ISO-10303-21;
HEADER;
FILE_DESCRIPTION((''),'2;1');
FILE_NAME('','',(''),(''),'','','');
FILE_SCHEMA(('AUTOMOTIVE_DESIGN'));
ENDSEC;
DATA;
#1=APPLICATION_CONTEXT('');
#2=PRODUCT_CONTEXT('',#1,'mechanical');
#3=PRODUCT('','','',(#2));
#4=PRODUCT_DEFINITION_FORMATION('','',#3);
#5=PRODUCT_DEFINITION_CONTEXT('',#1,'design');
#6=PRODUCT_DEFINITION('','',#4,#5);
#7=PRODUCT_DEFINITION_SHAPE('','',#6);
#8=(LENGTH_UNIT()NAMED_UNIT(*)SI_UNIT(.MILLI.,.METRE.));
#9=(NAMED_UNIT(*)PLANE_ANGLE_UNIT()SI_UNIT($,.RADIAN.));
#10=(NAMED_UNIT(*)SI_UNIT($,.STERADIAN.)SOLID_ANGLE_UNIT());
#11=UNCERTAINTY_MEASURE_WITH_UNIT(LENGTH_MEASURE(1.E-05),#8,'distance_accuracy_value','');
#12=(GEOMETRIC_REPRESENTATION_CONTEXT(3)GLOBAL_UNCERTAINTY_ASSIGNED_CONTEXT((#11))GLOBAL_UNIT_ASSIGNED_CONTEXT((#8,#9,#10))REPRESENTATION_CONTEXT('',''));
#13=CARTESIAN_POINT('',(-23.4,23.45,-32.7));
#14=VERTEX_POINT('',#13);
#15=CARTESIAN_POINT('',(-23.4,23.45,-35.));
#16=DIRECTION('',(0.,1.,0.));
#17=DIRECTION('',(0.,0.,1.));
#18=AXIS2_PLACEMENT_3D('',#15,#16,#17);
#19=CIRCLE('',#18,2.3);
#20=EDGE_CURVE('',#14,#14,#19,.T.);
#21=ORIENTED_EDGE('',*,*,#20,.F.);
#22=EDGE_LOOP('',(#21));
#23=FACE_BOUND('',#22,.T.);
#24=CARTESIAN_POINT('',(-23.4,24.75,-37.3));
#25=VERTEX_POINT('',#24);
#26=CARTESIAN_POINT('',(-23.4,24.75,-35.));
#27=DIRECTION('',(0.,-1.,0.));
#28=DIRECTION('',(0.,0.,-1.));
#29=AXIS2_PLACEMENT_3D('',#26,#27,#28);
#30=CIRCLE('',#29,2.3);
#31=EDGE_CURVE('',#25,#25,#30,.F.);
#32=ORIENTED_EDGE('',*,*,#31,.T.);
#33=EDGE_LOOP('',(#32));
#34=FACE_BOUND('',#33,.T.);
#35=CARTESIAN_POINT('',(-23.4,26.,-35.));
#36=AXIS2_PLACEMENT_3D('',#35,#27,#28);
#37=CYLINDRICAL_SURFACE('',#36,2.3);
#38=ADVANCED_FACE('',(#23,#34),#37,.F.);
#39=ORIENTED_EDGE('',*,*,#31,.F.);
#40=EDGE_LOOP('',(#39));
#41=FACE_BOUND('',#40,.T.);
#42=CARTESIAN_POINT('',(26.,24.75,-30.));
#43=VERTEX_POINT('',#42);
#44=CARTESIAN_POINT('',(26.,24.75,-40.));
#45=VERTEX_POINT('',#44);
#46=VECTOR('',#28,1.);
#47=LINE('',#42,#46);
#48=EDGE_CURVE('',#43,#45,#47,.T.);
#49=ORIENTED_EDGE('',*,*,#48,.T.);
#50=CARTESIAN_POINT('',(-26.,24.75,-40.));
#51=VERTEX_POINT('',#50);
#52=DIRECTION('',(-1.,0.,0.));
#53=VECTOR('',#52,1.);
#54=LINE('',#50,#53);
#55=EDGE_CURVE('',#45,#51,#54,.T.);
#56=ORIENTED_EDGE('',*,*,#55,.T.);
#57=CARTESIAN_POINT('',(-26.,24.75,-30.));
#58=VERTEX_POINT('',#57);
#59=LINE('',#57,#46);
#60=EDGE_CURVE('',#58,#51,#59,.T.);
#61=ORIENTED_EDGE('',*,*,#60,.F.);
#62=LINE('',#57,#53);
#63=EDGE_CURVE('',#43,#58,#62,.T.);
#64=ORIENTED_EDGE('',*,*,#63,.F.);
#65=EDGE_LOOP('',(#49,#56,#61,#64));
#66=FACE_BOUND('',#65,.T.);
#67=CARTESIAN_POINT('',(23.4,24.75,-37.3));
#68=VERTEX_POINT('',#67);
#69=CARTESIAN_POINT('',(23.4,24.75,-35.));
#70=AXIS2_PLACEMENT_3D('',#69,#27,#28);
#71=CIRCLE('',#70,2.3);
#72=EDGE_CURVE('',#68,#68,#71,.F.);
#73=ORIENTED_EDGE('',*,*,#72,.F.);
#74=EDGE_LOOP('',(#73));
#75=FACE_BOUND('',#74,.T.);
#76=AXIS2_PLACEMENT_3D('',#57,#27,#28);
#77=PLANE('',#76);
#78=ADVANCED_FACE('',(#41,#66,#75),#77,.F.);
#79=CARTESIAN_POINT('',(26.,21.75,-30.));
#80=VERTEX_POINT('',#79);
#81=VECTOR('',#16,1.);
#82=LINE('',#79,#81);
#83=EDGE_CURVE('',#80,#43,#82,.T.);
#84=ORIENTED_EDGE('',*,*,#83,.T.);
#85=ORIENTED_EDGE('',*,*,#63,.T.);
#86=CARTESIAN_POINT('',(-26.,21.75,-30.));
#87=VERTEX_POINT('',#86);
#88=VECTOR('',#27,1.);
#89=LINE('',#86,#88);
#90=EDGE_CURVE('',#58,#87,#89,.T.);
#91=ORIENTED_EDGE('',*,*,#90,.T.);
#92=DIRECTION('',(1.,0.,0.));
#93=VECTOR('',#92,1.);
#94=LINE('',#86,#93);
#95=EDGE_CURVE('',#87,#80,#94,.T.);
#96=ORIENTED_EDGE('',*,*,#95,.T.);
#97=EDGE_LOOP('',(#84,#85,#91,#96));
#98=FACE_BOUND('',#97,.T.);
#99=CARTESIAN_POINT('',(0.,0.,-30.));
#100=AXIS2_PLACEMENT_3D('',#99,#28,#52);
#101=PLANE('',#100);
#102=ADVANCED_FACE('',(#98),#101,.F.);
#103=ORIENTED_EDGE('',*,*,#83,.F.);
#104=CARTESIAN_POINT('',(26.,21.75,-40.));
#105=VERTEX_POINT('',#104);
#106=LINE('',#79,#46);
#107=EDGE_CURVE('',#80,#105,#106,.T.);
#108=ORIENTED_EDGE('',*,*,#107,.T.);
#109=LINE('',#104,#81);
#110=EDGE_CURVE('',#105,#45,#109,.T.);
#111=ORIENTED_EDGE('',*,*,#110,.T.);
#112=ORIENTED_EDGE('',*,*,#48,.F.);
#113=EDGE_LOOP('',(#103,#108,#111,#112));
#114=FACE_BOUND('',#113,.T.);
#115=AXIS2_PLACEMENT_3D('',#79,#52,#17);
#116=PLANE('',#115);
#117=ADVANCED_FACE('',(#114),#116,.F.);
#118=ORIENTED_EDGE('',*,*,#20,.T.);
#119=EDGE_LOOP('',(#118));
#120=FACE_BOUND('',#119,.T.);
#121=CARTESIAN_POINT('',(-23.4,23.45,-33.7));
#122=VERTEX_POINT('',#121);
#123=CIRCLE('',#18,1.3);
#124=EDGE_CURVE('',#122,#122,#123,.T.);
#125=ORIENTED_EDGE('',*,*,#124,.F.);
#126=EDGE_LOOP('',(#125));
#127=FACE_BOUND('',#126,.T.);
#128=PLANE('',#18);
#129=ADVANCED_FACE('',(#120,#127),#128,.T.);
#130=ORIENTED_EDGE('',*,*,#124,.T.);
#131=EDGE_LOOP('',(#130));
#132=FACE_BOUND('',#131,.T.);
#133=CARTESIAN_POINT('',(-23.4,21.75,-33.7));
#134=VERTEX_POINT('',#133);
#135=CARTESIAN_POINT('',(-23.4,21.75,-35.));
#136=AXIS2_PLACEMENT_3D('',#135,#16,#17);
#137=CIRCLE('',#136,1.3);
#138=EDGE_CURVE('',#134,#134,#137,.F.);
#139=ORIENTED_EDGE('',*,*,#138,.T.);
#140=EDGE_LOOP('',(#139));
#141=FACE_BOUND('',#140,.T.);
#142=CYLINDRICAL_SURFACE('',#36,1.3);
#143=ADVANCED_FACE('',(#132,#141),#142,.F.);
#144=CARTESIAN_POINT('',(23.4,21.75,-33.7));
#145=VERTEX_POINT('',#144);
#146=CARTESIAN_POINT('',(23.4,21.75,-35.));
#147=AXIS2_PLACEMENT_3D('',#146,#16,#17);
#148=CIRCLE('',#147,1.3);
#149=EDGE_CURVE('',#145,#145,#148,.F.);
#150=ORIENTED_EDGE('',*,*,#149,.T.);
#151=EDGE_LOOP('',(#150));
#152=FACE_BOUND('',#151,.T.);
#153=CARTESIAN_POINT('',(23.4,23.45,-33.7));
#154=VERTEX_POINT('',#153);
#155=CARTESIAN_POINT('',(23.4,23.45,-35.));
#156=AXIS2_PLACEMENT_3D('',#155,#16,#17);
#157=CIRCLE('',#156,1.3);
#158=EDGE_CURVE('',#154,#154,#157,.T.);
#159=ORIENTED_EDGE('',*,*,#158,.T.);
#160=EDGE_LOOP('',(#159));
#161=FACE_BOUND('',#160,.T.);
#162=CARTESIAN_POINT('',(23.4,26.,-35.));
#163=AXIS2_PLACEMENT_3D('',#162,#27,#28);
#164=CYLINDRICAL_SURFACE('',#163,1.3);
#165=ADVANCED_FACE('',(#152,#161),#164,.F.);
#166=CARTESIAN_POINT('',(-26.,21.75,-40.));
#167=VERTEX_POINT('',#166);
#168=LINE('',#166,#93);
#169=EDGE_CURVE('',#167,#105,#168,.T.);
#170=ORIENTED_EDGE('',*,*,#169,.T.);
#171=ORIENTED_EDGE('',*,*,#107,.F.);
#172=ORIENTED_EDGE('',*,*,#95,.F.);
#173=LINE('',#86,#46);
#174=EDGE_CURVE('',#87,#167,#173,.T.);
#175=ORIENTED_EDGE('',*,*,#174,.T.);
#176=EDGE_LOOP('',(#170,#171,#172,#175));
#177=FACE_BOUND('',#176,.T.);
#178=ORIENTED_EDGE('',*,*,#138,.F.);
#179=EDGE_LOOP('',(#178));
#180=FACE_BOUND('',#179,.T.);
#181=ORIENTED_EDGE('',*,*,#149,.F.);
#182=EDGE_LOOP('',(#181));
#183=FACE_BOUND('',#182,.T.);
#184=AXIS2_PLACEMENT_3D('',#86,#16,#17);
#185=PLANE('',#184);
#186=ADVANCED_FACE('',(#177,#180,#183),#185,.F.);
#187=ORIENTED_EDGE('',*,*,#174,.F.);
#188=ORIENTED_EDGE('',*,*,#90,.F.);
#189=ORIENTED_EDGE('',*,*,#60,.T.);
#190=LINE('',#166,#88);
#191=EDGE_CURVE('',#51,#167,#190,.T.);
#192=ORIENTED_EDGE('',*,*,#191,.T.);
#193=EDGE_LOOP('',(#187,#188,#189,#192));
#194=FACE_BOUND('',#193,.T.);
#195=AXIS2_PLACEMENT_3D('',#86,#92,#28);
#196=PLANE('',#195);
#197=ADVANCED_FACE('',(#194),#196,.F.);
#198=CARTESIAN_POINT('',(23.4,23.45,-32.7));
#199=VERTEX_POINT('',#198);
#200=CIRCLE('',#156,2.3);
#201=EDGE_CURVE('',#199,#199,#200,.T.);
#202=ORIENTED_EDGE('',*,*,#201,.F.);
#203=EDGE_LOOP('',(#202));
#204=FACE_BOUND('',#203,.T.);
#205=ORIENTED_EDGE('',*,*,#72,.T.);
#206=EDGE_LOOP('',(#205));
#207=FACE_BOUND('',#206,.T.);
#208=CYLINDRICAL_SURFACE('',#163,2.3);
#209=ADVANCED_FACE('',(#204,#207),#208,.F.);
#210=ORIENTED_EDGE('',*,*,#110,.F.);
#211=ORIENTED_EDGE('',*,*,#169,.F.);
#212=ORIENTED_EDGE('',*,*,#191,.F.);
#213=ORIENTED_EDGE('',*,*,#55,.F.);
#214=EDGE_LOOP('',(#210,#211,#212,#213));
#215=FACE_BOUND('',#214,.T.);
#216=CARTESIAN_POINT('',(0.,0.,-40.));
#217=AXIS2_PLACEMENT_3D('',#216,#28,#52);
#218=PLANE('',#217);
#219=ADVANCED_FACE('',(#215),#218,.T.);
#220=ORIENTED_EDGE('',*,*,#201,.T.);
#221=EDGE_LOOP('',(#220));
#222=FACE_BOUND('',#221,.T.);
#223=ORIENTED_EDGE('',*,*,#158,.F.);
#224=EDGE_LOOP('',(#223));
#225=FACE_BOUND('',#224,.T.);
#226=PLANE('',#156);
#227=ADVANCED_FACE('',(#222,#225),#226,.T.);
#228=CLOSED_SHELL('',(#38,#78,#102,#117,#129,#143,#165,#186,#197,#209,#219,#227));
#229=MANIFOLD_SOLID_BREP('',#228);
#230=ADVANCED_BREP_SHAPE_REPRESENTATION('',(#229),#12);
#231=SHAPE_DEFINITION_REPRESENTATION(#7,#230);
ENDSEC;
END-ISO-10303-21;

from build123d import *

# Parameters (mm, degrees)
BOSS_EXTRUDE1_START = -40
SKETCH1_W           = 52
SKETCH1_H           = 3
BOSS_EXTRUDE1_DEPTH = 10
BOSS_EXTRUDE2_START = 20
SKETCH2_R           = 1.3
BOSS_EXTRUDE2_DEPTH = 6
BOSS_EXTRUDE3_START = 23.45
SKETCH3_R           = 2.3
BOSS_EXTRUDE3_DEPTH = 2.55
BOSS_EXTRUDE4_START = 20
SKETCH4_R           = 1.3
BOSS_EXTRUDE4_DEPTH = 6
BOSS_EXTRUDE5_START = 23.45
SKETCH5_R           = 2.3
BOSS_EXTRUDE5_DEPTH = 2.55


with BuildPart() as part:
    # Sketch1 → Boss-Extrude1 (new body)
    with BuildSketch(Plane.XY.offset(BOSS_EXTRUDE1_START)):
        with Locations((0, 23.25)):
            Rectangle(SKETCH1_W, SKETCH1_H)
    extrude(amount=BOSS_EXTRUDE1_DEPTH)


with BuildPart() as body_2:
    # Sketch2 → Boss-Extrude2 (new body)
    with BuildSketch(Plane(origin=(0, 0, 0), x_dir=(1, 0, 0), z_dir=(0, 1, 0)).offset(BOSS_EXTRUDE2_START)):
        with Locations(Location((-23.4, 35, 0), (0, 0, 270))):
            Circle(SKETCH2_R)
    extrude(amount=BOSS_EXTRUDE2_DEPTH)


with BuildPart() as part_1:
    add(part.part)

    # Combine1: cut body 2
    add(body_2.part, mode=Mode.SUBTRACT)


with BuildPart() as body_2_2:
    # Sketch3 → Boss-Extrude3 (new body)
    with BuildSketch(Plane(origin=(0, 0, 0), x_dir=(1, 0, 0), z_dir=(0, 1, 0)).offset(BOSS_EXTRUDE3_START)):
        with Locations(Location((-23.4, 35, 0), (0, 0, 270))):
            Circle(SKETCH3_R)
    extrude(amount=BOSS_EXTRUDE3_DEPTH)


with BuildPart() as part_2:
    add(part_1.part)

    # Combine2: cut body 2 2
    add(body_2_2.part, mode=Mode.SUBTRACT)


with BuildPart() as body_2_3:
    # Sketch4 → Boss-Extrude4 (new body)
    with BuildSketch(Plane(origin=(0, 0, 0), x_dir=(1, 0, 0), z_dir=(0, 1, 0)).offset(BOSS_EXTRUDE4_START)):
        with Locations(Location((23.4, 35, 0), (0, 0, 270))):
            Circle(SKETCH4_R)
    extrude(amount=BOSS_EXTRUDE4_DEPTH)


with BuildPart() as part_3:
    add(part_2.part)

    # Combine3: cut body 2 3
    add(body_2_3.part, mode=Mode.SUBTRACT)


with BuildPart() as body_2_4:
    # Sketch5 → Boss-Extrude5 (new body)
    with BuildSketch(Plane(origin=(0, 0, 0), x_dir=(1, 0, 0), z_dir=(0, 1, 0)).offset(BOSS_EXTRUDE5_START)):
        with Locations(Location((23.4, 35, 0), (0, 0, 270))):
            Circle(SKETCH5_R)
    extrude(amount=BOSS_EXTRUDE5_DEPTH)


with BuildPart() as part_4:
    add(part_3.part)

    # Combine4: cut body 2 4
    add(body_2_4.part, mode=Mode.SUBTRACT)


solid = part_4.part
